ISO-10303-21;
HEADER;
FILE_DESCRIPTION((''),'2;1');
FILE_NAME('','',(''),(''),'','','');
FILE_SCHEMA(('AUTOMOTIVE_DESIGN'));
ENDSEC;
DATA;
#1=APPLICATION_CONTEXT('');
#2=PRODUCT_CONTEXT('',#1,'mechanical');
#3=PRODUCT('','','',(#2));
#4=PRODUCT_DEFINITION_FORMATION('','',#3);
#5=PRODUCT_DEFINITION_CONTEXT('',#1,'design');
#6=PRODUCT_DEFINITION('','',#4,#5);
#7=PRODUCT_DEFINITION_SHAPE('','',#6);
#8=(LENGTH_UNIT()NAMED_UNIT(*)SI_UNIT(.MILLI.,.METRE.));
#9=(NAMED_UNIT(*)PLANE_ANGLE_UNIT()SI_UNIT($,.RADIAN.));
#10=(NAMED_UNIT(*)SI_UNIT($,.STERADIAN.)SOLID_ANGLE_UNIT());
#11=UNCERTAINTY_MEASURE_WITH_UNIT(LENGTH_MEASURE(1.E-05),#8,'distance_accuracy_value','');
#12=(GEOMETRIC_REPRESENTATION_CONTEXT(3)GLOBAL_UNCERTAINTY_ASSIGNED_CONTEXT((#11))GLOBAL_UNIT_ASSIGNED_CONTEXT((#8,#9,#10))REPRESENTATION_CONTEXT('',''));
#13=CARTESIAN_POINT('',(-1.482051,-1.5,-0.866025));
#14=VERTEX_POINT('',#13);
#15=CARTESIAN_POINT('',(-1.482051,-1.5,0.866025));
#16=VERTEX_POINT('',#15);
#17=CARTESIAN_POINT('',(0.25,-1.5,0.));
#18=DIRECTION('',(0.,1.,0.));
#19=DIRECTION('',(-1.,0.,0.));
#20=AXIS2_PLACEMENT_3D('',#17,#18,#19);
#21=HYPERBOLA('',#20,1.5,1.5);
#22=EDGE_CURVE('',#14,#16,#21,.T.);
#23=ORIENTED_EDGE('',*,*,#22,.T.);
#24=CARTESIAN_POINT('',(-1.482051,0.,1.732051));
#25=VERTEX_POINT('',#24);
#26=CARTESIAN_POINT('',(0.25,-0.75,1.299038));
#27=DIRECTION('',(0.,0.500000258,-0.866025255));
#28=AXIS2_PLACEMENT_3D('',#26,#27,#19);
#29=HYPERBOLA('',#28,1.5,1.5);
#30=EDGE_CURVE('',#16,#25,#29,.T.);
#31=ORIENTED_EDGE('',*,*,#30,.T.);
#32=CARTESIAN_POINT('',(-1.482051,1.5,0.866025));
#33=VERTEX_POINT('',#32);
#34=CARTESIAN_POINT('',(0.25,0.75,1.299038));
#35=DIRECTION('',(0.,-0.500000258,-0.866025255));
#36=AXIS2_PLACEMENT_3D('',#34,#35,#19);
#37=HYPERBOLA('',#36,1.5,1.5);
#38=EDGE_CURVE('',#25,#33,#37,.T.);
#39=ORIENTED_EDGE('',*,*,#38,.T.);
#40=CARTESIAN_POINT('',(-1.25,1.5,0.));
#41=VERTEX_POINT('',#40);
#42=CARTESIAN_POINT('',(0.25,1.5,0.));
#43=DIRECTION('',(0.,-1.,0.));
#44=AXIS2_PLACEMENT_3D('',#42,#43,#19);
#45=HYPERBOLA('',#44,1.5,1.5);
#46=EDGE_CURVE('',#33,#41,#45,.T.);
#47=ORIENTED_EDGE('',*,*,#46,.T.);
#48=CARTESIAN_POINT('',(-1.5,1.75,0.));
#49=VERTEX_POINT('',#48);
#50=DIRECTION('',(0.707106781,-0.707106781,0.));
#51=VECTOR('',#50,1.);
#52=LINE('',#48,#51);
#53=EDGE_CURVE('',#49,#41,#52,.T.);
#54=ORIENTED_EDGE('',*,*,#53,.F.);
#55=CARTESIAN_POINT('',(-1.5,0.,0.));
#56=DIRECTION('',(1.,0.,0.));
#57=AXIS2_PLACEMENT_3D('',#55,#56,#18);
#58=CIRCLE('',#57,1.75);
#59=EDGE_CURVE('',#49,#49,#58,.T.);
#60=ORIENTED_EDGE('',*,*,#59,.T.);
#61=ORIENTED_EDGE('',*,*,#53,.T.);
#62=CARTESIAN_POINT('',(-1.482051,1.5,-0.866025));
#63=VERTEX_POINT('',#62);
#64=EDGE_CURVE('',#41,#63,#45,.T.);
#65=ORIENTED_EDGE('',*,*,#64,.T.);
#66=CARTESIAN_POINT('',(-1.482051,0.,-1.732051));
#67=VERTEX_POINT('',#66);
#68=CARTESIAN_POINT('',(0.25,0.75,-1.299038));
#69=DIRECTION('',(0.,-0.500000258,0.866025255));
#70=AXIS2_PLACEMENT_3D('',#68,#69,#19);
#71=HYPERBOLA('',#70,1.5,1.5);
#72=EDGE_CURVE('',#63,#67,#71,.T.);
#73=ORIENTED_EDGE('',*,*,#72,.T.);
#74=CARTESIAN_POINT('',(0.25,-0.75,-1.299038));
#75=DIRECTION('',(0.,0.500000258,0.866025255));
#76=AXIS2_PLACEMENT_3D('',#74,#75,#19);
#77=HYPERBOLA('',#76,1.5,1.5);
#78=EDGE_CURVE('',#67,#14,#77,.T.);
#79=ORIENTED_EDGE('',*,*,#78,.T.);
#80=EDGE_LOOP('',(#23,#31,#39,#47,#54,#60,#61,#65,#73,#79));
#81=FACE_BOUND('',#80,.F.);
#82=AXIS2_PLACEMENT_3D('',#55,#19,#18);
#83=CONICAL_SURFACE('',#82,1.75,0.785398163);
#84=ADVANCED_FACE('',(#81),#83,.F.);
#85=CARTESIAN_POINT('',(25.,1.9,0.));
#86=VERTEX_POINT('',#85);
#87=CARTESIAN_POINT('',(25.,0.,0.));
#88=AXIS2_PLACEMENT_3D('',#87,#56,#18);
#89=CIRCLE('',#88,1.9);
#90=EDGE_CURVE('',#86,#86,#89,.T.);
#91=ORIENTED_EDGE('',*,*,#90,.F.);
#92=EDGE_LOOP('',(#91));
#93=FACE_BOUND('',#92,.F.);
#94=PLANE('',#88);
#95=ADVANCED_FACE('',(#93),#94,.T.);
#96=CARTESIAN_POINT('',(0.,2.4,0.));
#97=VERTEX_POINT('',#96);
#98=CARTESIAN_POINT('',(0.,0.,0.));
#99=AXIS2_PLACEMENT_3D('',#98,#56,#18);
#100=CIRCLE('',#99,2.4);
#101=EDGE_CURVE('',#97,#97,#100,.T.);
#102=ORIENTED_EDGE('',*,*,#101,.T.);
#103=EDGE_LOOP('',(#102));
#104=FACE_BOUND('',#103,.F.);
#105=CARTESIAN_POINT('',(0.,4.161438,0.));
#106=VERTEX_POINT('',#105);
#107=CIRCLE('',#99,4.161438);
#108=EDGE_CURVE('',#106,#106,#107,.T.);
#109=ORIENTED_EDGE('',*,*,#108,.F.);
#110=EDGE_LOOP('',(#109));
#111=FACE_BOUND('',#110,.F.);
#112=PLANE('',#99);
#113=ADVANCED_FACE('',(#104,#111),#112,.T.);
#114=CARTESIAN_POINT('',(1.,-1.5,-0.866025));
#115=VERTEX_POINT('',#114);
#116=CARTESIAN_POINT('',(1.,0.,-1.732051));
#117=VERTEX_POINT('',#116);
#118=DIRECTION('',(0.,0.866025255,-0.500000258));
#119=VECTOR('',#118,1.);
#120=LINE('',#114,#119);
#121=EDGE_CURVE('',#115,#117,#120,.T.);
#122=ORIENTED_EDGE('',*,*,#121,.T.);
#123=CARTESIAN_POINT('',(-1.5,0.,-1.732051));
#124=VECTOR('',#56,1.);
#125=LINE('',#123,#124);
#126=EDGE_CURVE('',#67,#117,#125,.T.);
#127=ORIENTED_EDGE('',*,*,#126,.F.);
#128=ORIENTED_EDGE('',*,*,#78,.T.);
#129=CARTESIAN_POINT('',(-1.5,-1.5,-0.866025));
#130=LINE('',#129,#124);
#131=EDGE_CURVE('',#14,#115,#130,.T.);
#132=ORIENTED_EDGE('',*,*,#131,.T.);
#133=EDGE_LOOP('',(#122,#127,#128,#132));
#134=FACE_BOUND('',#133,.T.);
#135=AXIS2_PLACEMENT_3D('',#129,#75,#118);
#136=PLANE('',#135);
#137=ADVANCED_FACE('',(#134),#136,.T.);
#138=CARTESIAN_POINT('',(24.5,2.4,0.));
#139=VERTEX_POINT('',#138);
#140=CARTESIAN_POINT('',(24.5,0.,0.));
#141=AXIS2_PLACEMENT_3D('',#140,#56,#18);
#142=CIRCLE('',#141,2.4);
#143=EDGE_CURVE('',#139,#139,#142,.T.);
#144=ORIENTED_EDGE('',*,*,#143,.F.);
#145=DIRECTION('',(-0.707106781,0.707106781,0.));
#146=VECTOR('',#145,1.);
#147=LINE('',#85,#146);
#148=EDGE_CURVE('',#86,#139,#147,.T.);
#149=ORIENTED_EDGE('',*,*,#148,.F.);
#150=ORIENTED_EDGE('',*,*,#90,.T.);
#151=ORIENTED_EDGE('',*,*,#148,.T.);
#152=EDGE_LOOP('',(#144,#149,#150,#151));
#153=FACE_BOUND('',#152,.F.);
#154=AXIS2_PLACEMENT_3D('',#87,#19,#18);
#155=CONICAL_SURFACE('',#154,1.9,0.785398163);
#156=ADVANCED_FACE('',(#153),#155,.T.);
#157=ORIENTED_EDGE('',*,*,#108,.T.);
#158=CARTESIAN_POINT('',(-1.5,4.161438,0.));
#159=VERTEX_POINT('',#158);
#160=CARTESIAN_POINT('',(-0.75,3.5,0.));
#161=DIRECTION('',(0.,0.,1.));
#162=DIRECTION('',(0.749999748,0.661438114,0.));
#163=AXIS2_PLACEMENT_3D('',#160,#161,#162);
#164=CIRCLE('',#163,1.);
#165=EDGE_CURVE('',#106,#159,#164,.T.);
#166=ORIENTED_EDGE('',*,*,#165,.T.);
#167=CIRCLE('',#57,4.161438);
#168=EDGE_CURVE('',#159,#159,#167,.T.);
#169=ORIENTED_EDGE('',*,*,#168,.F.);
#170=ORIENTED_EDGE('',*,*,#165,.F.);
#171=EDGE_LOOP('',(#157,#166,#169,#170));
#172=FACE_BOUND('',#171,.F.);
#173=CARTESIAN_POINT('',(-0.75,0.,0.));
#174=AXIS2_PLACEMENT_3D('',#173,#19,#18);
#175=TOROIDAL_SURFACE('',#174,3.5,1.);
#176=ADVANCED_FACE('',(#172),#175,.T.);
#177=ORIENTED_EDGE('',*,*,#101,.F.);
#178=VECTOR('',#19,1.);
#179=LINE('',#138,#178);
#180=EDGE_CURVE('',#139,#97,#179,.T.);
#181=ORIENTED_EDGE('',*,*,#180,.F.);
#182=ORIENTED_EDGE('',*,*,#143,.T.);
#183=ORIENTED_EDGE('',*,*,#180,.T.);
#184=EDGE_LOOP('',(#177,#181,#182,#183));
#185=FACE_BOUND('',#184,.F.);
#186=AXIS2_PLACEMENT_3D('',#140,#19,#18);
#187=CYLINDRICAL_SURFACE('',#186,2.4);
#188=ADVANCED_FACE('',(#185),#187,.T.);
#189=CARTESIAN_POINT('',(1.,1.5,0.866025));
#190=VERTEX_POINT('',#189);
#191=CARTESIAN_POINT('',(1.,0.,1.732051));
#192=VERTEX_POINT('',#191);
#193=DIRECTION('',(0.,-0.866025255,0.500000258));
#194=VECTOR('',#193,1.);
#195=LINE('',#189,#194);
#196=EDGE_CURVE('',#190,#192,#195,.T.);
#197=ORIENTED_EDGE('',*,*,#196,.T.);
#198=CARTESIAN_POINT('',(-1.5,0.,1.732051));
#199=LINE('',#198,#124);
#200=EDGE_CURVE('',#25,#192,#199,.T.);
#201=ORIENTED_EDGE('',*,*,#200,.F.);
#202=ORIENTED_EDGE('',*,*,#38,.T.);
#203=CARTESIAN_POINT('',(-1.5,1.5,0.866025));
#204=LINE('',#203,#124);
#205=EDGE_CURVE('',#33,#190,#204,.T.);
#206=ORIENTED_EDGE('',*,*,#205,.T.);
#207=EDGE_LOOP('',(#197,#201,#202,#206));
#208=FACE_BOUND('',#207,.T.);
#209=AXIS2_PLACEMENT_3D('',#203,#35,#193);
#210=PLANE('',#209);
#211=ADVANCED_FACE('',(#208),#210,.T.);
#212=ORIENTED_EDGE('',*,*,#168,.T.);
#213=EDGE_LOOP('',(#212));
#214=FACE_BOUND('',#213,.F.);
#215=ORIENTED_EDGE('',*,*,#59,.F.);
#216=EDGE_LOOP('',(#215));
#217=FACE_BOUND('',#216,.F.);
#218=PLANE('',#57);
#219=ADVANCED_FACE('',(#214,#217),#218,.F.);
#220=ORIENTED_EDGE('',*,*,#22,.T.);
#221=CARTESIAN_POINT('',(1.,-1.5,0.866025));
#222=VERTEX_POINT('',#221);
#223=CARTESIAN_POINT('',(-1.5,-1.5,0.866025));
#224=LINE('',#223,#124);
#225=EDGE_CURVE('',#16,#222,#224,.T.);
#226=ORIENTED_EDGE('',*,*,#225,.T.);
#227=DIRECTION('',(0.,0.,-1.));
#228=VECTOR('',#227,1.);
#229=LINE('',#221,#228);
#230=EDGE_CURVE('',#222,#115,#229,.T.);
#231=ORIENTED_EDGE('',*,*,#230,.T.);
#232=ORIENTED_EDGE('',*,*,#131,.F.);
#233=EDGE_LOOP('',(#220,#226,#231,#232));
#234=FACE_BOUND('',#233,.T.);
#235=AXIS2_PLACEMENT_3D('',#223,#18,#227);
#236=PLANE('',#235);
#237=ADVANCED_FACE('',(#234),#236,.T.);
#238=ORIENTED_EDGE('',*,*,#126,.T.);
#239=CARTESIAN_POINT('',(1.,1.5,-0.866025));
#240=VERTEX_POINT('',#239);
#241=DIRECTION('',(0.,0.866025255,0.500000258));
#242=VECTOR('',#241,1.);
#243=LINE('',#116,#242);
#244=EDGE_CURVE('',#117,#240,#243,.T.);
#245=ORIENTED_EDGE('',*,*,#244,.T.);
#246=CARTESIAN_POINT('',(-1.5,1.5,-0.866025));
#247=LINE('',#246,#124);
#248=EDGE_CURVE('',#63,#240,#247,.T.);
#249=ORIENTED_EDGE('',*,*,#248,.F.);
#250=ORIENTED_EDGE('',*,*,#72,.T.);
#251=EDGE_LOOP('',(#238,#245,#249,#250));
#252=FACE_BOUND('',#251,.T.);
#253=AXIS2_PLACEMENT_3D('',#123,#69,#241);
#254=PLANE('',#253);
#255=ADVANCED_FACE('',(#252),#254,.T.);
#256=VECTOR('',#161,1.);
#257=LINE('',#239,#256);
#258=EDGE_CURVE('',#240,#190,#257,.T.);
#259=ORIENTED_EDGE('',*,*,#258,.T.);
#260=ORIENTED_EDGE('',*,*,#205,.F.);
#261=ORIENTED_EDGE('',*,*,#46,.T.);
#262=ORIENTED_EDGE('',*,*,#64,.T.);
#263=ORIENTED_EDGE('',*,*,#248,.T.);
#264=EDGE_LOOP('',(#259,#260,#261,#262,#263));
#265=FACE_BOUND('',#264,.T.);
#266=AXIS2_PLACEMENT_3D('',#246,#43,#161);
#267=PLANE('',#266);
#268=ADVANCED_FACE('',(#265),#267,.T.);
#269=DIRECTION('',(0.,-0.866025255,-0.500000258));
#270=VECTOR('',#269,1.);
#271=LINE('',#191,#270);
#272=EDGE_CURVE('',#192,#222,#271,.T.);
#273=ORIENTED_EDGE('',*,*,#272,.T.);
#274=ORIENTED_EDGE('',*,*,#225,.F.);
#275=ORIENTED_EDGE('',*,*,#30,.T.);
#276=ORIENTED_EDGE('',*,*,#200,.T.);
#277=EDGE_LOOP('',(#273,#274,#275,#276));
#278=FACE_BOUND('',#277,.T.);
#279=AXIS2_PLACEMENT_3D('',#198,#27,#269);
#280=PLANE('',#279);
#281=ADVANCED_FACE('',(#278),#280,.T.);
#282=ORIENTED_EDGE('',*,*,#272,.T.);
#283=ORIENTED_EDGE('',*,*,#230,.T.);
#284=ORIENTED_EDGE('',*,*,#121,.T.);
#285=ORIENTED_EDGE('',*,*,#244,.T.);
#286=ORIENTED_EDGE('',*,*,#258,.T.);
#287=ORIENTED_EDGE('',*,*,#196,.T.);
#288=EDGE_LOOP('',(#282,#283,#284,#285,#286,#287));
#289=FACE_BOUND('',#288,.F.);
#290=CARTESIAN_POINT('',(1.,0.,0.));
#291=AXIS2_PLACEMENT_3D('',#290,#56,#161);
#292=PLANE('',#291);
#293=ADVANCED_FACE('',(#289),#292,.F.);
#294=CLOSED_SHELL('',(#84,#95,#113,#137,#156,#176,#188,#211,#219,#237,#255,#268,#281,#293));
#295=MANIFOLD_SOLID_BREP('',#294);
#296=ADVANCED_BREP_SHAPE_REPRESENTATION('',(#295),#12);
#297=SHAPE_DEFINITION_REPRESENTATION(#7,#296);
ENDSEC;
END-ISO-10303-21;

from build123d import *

# Parameters (mm, degrees)
PRISM_DEPTH = 2.5


with BuildPart() as part:
    # Sketch_002 → Revolution (revolve)
    with BuildSketch(Plane.XY):
        with BuildLine():
            Line((-1.5, 4.161438), (-1.5, 1.75))
            Line((-1.5, 1.75), (0.25, 0))
            Line((0.25, 0), (25, 0))
            Line((25, 0), (25, 1.9))
            Line((25, 1.9), (24.5, 2.4))
            Line((24.5, 2.4), (0, 2.4))
            Line((0, 2.4), (0, 4.161438))
            ThreePointArc((0, 4.161438), (-0.75, 4.5), (-1.5, 4.161438))
        make_face()
    revolve(axis=Axis((0, 0, 0), (1, 0, 0)))

    # Prism → Prism (cut)
    with BuildSketch(Plane(origin=(-1.5, 0, 0), x_dir=(0, 0, 1), z_dir=(1, 0, 0))):
        Polygon((1.732051, 0), (0.866025, 1.5), (-0.866025, 1.5), (-1.732051, 0), (-0.866025, -1.5), (0.866025, -1.5), align=None)
    extrude(amount=PRISM_DEPTH, mode=Mode.SUBTRACT)


solid = part.part
